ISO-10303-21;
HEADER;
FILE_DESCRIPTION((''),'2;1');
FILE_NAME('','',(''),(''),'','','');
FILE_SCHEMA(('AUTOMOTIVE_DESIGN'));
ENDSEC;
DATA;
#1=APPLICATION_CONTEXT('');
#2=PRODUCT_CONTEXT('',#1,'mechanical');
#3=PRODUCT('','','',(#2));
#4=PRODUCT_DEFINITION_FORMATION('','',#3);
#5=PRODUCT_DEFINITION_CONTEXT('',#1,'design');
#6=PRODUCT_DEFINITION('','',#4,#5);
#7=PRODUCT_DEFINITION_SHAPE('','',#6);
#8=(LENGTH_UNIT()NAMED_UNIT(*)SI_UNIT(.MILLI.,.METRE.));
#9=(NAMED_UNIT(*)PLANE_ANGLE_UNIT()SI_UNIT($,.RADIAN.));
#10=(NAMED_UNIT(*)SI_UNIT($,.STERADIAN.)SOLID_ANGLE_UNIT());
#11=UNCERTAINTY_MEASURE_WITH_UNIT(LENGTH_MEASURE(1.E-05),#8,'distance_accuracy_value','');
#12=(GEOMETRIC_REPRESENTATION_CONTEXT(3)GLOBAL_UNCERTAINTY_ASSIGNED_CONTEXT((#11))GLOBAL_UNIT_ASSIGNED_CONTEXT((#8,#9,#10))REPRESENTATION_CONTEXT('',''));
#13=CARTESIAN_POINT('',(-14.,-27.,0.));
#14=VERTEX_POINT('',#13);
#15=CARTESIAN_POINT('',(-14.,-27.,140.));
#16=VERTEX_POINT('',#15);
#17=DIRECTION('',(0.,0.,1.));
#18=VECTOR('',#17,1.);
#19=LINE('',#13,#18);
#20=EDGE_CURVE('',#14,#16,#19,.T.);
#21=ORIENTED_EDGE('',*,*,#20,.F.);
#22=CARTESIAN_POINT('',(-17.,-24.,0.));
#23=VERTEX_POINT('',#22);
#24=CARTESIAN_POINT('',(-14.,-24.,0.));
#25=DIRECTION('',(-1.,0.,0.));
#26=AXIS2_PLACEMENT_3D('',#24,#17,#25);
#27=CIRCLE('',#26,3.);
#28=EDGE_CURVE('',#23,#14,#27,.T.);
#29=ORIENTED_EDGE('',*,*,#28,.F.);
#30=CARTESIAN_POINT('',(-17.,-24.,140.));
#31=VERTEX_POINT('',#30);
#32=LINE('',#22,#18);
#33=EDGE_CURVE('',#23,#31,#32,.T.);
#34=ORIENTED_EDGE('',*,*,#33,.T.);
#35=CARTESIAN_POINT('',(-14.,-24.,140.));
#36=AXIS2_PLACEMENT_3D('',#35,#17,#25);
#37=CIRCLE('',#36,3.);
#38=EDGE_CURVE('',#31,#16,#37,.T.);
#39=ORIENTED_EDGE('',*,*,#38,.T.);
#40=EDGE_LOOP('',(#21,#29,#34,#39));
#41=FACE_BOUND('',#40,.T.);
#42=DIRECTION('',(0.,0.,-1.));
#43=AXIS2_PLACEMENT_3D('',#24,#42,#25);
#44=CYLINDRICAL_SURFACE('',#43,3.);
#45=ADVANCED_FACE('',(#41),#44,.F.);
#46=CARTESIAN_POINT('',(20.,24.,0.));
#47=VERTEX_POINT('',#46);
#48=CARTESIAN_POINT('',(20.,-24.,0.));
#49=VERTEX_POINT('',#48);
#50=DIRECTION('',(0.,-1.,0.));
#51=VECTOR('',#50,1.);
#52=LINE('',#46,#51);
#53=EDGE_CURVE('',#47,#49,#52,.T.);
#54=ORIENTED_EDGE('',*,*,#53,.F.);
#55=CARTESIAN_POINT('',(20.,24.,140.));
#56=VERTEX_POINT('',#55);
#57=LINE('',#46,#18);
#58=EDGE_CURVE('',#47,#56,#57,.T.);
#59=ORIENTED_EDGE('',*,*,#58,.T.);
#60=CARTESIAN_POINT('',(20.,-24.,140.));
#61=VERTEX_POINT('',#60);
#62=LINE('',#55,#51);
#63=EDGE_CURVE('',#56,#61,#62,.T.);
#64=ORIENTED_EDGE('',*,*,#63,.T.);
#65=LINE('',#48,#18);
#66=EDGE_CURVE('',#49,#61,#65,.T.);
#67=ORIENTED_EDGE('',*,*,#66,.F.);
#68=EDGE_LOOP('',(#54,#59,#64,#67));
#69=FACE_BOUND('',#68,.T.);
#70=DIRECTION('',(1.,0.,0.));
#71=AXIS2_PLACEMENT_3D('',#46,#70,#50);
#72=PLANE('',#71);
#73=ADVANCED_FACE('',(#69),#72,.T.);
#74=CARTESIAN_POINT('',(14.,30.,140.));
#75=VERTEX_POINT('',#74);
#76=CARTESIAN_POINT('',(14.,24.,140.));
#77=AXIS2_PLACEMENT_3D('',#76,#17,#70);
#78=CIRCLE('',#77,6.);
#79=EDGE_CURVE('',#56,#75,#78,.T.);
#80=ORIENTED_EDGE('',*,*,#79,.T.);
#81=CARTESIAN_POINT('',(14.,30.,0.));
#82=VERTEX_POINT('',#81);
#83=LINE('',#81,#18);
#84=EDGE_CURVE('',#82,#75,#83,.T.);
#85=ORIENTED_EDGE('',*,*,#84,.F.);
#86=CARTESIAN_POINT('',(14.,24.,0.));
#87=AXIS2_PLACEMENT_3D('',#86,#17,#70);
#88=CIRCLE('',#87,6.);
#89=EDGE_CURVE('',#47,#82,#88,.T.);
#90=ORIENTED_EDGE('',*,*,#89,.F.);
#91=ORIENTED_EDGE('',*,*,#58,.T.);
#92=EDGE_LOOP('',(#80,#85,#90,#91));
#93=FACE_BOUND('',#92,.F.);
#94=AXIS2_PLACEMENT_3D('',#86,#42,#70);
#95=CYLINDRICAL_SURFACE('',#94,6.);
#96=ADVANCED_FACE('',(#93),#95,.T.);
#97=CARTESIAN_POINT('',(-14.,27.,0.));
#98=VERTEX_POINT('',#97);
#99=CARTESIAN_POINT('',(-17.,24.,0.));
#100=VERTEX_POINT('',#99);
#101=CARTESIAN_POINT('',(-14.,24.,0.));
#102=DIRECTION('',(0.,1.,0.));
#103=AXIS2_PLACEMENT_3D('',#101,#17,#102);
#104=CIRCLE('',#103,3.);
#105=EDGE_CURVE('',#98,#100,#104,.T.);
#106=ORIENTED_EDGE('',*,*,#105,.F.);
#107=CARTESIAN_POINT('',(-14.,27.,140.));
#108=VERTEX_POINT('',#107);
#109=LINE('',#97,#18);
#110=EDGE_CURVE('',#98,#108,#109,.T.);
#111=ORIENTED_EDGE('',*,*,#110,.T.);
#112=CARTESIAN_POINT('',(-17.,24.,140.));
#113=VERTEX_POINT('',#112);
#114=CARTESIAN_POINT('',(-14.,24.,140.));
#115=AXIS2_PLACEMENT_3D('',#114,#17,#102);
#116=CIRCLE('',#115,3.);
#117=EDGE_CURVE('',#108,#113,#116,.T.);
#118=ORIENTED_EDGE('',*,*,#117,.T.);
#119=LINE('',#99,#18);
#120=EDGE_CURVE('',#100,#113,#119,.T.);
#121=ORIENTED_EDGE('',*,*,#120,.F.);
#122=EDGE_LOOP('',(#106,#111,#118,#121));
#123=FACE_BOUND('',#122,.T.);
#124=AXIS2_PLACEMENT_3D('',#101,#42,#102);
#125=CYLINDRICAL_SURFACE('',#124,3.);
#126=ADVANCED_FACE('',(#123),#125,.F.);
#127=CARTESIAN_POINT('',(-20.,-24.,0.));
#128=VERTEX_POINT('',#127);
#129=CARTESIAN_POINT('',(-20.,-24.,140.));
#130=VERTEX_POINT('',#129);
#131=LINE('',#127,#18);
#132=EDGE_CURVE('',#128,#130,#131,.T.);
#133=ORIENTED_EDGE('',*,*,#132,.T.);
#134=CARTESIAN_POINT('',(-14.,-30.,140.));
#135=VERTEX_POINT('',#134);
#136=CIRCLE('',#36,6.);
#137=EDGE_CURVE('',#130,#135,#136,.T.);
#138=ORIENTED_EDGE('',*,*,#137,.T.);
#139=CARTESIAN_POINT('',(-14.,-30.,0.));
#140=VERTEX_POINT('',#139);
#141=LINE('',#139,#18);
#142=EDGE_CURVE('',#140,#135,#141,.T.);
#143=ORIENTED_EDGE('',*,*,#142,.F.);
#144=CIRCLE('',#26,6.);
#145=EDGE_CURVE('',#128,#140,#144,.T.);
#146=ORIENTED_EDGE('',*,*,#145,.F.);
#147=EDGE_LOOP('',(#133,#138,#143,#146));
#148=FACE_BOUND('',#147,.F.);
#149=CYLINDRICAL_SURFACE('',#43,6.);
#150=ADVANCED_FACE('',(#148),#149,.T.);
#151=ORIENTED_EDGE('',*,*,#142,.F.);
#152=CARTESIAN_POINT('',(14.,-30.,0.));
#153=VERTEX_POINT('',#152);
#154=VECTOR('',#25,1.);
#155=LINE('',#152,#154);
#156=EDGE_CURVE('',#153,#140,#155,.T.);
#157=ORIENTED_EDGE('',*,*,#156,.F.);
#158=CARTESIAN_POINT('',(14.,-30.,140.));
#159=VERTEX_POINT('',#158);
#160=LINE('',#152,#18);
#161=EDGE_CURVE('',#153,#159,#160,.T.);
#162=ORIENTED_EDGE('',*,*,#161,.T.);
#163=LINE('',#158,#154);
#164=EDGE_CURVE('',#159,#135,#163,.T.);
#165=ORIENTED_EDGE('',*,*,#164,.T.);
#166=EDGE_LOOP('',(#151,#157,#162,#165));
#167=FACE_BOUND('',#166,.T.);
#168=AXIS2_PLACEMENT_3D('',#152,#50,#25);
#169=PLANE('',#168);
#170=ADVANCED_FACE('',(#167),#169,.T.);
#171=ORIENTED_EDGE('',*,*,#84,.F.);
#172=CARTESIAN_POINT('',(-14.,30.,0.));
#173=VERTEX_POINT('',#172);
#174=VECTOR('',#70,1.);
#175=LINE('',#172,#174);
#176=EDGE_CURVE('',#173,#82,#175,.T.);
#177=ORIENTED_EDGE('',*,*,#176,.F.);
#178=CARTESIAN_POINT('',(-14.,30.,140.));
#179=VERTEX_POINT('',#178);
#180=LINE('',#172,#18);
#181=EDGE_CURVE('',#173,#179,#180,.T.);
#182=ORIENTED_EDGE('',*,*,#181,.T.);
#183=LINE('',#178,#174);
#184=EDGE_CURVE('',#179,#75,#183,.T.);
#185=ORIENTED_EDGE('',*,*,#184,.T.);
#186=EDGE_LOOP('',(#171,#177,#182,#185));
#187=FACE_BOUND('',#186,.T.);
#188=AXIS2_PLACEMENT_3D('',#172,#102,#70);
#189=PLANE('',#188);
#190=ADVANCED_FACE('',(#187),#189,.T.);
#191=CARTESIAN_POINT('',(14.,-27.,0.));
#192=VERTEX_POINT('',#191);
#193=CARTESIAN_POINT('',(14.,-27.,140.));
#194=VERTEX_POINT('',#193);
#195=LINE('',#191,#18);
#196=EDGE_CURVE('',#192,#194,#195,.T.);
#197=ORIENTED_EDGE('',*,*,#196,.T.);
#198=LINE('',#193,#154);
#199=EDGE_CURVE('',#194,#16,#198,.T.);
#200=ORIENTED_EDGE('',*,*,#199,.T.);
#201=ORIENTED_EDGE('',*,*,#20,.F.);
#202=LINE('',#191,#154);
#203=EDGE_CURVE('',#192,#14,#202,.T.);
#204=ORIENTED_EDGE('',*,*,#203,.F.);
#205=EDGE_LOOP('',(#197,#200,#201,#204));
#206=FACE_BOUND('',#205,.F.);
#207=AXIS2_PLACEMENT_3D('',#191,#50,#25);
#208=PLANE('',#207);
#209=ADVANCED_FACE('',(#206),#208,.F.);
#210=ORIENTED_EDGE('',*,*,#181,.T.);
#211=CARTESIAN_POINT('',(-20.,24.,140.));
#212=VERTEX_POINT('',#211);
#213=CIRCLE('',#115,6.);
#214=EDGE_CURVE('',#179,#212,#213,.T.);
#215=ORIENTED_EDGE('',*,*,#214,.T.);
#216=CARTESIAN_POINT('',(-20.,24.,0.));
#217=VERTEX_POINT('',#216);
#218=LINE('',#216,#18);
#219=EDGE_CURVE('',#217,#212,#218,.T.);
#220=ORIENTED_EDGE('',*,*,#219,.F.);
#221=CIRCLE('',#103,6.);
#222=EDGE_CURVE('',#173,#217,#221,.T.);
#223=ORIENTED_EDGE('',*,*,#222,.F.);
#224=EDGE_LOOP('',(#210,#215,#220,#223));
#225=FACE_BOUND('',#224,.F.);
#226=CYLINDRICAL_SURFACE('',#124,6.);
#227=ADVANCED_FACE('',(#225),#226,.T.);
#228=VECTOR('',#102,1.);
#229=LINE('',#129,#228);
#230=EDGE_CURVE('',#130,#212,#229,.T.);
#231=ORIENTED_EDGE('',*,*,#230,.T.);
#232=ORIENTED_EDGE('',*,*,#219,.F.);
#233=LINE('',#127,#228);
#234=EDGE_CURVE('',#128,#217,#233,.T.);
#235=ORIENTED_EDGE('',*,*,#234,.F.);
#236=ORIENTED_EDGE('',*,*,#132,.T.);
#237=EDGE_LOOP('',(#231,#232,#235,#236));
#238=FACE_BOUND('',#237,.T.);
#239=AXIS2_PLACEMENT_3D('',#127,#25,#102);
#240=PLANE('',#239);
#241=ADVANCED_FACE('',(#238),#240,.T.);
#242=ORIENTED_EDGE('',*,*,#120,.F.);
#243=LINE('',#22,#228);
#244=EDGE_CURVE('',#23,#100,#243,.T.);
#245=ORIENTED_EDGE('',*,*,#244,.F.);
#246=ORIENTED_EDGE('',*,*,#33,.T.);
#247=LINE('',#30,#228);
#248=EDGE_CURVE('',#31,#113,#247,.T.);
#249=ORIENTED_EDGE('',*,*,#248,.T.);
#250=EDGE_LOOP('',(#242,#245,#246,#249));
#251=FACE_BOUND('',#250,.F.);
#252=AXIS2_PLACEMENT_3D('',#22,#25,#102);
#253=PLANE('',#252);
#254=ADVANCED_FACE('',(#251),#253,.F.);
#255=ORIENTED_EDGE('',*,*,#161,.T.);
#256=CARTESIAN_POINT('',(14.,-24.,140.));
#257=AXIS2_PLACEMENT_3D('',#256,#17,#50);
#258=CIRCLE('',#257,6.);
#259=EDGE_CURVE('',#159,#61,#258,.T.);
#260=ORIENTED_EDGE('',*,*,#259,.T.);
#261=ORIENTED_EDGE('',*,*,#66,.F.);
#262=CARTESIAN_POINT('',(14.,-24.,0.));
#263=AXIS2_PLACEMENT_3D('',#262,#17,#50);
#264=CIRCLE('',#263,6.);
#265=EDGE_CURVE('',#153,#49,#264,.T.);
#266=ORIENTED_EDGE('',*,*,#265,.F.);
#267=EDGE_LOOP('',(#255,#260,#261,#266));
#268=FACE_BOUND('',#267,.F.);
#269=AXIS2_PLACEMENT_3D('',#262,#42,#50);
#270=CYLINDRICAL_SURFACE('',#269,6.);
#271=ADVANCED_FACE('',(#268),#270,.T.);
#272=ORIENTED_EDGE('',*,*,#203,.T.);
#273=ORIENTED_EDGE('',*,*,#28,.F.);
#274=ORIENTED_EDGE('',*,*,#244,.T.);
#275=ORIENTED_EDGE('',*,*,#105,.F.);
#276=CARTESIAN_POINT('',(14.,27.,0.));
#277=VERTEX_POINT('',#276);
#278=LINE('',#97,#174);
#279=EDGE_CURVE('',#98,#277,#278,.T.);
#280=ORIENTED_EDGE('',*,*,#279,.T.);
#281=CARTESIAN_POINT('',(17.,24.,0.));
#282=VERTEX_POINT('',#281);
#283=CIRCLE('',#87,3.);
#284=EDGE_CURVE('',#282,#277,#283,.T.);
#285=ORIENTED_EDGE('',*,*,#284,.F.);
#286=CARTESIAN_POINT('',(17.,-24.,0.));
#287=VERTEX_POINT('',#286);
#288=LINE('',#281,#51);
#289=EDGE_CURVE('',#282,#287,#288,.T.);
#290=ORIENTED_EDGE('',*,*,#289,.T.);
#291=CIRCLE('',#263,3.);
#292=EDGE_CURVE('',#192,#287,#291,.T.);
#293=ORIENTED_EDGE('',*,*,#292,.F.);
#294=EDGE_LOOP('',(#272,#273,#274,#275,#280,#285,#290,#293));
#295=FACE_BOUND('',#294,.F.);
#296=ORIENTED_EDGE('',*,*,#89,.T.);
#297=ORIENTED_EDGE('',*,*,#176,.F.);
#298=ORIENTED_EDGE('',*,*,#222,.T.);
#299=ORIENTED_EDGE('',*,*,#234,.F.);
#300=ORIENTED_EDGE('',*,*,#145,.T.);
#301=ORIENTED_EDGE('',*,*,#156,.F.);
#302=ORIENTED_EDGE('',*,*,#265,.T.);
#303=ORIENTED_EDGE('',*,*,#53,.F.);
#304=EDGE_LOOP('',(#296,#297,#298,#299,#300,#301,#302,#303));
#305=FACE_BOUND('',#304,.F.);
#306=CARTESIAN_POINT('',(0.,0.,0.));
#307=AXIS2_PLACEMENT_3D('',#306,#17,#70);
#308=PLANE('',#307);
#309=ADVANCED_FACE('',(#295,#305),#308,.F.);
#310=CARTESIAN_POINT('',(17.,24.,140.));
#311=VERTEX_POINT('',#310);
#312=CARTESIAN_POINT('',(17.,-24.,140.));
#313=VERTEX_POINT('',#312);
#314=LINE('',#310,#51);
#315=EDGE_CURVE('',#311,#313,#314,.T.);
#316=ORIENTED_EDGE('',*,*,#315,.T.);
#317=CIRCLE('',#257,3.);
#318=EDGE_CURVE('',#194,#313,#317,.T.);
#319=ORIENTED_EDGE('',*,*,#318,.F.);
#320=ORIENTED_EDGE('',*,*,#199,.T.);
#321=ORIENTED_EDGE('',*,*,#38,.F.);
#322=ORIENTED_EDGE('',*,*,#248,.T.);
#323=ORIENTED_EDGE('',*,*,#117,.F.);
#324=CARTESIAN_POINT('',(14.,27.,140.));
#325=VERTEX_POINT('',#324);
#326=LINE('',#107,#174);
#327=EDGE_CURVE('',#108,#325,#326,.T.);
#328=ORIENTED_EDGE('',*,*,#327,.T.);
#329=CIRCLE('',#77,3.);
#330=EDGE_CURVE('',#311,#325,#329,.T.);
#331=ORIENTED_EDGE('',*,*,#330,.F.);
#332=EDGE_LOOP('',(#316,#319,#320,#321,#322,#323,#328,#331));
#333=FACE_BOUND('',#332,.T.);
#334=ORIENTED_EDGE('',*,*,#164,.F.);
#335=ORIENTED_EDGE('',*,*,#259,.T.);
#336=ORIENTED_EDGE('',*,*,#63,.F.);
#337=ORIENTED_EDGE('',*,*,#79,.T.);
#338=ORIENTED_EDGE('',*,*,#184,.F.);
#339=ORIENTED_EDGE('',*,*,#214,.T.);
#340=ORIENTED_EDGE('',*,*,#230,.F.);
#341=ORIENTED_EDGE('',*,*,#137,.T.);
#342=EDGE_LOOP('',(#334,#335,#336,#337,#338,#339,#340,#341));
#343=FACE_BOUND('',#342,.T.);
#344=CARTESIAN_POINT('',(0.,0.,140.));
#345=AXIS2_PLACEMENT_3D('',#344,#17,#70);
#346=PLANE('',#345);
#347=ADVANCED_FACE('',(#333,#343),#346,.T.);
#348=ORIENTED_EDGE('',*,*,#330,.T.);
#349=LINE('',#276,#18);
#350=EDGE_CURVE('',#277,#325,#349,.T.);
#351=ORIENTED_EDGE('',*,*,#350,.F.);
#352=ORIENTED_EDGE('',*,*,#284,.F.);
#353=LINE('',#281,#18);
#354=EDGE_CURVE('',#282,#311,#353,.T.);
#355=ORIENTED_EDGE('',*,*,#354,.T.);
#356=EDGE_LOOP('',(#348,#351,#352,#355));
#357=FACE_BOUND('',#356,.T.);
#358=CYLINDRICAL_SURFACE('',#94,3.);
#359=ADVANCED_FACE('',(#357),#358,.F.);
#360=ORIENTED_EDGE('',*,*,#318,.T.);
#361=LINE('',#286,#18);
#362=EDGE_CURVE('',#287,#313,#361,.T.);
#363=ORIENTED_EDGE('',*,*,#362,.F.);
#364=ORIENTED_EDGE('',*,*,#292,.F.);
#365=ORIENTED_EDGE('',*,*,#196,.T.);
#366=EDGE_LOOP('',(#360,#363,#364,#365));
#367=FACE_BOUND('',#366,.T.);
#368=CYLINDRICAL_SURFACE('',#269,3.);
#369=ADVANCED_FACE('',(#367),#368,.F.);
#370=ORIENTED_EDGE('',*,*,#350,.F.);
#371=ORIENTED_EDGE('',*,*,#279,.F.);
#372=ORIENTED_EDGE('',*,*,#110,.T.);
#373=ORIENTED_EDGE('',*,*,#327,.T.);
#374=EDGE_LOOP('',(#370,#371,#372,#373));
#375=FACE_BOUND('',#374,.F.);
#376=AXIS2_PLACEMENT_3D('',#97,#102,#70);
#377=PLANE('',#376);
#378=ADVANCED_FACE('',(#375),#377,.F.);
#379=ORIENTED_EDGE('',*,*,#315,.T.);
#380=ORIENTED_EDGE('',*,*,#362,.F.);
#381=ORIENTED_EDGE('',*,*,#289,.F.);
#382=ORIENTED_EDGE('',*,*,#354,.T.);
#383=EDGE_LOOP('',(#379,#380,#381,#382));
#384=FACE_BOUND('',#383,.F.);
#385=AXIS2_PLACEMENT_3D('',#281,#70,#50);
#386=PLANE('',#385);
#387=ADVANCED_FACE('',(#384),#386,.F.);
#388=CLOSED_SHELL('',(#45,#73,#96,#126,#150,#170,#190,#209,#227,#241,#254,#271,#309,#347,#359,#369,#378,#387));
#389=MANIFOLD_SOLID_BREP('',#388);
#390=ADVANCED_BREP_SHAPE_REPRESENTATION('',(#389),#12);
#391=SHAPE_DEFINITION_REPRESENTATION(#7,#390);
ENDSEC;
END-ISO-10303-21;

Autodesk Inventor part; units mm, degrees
ref_plane "YZ Plane" through (0, 0, 0) normal (1, 0, 0) x (0, 1, 0)
ref_plane "Start Plane" through (0, 0, 0) normal (0, 0, 1) x (1, 0, 0)
ref_plane "End Plane" through (0, 0, 140) normal (0, 0, 1) x (1, 0, 0)
sketch "Sketch" plane through (0, 0, 0) normal (0, 0, 1) x (1, 0, 0)
  line L0 (-20, -24) -> (-20, 24)
  line L1 (-14, 30) -> (14, 30)
  line L2 (20, 24) -> (20, -24)
  line L3 (14, -30) -> (-14, -30)
  arc A0 (-20, -24) -> (-14, -30) centre (-14, -24) ccw
  arc A1 (20, 24) -> (14, 30) centre (14, 24) ccw
  arc A2 (-14, 30) -> (-20, 24) centre (-14, 24) ccw
  arc A3 (14, -30) -> (20, -24) centre (14, -24) ccw
  arc A4 (-14, 27) -> (-17, 24) centre (-14, 24) ccw
  line L4 (-14, 27) -> (14, 27)
  arc A5 (17, 24) -> (14, 27) centre (14, 24) ccw
  line L5 (17, 24) -> (17, -24)
  arc A6 (14, -27) -> (17, -24) centre (14, -24) ccw
  line L6 (14, -27) -> (-14, -27)
  arc A7 (-17, -24) -> (-14, -27) centre (-14, -24) ccw
  line L7 (-17, -24) -> (-17, 24)
  line L8 (0, 43.7397) -> (0, -43.7397) construction
  line L9 (-29.7397, 0) -> (29.7397, 0) construction
  dimension "d7" = 6
  dimension "d9" = 40
  dimension "d11" = 60
  dimension "d12" = 3
  dimension "d15" = 20
  dimension "d16" = 30
extrude "Body" add sketch "Sketch" along normal up to surface (140 mm away) from surface at 0
sketch "Sketch3" plane through (0, 0, 0) normal (0, 0, 1) x (1, 0, 0)
  line L0 (0, 0) -> (10, 0)
ref_plane "Work Plane3" through (0, 0, 0) normal (0, -1, 0) x (1, 0, 0)
sketch "Sketch4" plane through (0, 0, 0) normal (0, -1, 0) x (1, 0, 0)
  line L0 (-2, 0) -> (12, 0) projected
  line L1 (-2, 140) -> (12, 140) projected
  dimension "d18" = 140
equation "\"d7\" = G_IR"
equation "\"d9\" = G_W"
equation "\"d11\" = G_H"
equation "\"d12\" = G_T"
equation "\"d15\" = 0.5 * d9"
equation "\"d16\" = 0.5 * d11"
equation "\"d3\" = G_L"
equation "\"G_W\" = 40"
equation "\"G_H\" = 60"
equation "\"G_T\" = 3"
equation "\"G_IR\" = 6"
equation "\"G_L\" = d18"
equation "\"G_OFFSET_START\" = 0"
equation "\"G_OFFSET_END\" = 0"
properties part number "ISO 4019 - 60x40x3 - 140" material "Steel, Mild"
